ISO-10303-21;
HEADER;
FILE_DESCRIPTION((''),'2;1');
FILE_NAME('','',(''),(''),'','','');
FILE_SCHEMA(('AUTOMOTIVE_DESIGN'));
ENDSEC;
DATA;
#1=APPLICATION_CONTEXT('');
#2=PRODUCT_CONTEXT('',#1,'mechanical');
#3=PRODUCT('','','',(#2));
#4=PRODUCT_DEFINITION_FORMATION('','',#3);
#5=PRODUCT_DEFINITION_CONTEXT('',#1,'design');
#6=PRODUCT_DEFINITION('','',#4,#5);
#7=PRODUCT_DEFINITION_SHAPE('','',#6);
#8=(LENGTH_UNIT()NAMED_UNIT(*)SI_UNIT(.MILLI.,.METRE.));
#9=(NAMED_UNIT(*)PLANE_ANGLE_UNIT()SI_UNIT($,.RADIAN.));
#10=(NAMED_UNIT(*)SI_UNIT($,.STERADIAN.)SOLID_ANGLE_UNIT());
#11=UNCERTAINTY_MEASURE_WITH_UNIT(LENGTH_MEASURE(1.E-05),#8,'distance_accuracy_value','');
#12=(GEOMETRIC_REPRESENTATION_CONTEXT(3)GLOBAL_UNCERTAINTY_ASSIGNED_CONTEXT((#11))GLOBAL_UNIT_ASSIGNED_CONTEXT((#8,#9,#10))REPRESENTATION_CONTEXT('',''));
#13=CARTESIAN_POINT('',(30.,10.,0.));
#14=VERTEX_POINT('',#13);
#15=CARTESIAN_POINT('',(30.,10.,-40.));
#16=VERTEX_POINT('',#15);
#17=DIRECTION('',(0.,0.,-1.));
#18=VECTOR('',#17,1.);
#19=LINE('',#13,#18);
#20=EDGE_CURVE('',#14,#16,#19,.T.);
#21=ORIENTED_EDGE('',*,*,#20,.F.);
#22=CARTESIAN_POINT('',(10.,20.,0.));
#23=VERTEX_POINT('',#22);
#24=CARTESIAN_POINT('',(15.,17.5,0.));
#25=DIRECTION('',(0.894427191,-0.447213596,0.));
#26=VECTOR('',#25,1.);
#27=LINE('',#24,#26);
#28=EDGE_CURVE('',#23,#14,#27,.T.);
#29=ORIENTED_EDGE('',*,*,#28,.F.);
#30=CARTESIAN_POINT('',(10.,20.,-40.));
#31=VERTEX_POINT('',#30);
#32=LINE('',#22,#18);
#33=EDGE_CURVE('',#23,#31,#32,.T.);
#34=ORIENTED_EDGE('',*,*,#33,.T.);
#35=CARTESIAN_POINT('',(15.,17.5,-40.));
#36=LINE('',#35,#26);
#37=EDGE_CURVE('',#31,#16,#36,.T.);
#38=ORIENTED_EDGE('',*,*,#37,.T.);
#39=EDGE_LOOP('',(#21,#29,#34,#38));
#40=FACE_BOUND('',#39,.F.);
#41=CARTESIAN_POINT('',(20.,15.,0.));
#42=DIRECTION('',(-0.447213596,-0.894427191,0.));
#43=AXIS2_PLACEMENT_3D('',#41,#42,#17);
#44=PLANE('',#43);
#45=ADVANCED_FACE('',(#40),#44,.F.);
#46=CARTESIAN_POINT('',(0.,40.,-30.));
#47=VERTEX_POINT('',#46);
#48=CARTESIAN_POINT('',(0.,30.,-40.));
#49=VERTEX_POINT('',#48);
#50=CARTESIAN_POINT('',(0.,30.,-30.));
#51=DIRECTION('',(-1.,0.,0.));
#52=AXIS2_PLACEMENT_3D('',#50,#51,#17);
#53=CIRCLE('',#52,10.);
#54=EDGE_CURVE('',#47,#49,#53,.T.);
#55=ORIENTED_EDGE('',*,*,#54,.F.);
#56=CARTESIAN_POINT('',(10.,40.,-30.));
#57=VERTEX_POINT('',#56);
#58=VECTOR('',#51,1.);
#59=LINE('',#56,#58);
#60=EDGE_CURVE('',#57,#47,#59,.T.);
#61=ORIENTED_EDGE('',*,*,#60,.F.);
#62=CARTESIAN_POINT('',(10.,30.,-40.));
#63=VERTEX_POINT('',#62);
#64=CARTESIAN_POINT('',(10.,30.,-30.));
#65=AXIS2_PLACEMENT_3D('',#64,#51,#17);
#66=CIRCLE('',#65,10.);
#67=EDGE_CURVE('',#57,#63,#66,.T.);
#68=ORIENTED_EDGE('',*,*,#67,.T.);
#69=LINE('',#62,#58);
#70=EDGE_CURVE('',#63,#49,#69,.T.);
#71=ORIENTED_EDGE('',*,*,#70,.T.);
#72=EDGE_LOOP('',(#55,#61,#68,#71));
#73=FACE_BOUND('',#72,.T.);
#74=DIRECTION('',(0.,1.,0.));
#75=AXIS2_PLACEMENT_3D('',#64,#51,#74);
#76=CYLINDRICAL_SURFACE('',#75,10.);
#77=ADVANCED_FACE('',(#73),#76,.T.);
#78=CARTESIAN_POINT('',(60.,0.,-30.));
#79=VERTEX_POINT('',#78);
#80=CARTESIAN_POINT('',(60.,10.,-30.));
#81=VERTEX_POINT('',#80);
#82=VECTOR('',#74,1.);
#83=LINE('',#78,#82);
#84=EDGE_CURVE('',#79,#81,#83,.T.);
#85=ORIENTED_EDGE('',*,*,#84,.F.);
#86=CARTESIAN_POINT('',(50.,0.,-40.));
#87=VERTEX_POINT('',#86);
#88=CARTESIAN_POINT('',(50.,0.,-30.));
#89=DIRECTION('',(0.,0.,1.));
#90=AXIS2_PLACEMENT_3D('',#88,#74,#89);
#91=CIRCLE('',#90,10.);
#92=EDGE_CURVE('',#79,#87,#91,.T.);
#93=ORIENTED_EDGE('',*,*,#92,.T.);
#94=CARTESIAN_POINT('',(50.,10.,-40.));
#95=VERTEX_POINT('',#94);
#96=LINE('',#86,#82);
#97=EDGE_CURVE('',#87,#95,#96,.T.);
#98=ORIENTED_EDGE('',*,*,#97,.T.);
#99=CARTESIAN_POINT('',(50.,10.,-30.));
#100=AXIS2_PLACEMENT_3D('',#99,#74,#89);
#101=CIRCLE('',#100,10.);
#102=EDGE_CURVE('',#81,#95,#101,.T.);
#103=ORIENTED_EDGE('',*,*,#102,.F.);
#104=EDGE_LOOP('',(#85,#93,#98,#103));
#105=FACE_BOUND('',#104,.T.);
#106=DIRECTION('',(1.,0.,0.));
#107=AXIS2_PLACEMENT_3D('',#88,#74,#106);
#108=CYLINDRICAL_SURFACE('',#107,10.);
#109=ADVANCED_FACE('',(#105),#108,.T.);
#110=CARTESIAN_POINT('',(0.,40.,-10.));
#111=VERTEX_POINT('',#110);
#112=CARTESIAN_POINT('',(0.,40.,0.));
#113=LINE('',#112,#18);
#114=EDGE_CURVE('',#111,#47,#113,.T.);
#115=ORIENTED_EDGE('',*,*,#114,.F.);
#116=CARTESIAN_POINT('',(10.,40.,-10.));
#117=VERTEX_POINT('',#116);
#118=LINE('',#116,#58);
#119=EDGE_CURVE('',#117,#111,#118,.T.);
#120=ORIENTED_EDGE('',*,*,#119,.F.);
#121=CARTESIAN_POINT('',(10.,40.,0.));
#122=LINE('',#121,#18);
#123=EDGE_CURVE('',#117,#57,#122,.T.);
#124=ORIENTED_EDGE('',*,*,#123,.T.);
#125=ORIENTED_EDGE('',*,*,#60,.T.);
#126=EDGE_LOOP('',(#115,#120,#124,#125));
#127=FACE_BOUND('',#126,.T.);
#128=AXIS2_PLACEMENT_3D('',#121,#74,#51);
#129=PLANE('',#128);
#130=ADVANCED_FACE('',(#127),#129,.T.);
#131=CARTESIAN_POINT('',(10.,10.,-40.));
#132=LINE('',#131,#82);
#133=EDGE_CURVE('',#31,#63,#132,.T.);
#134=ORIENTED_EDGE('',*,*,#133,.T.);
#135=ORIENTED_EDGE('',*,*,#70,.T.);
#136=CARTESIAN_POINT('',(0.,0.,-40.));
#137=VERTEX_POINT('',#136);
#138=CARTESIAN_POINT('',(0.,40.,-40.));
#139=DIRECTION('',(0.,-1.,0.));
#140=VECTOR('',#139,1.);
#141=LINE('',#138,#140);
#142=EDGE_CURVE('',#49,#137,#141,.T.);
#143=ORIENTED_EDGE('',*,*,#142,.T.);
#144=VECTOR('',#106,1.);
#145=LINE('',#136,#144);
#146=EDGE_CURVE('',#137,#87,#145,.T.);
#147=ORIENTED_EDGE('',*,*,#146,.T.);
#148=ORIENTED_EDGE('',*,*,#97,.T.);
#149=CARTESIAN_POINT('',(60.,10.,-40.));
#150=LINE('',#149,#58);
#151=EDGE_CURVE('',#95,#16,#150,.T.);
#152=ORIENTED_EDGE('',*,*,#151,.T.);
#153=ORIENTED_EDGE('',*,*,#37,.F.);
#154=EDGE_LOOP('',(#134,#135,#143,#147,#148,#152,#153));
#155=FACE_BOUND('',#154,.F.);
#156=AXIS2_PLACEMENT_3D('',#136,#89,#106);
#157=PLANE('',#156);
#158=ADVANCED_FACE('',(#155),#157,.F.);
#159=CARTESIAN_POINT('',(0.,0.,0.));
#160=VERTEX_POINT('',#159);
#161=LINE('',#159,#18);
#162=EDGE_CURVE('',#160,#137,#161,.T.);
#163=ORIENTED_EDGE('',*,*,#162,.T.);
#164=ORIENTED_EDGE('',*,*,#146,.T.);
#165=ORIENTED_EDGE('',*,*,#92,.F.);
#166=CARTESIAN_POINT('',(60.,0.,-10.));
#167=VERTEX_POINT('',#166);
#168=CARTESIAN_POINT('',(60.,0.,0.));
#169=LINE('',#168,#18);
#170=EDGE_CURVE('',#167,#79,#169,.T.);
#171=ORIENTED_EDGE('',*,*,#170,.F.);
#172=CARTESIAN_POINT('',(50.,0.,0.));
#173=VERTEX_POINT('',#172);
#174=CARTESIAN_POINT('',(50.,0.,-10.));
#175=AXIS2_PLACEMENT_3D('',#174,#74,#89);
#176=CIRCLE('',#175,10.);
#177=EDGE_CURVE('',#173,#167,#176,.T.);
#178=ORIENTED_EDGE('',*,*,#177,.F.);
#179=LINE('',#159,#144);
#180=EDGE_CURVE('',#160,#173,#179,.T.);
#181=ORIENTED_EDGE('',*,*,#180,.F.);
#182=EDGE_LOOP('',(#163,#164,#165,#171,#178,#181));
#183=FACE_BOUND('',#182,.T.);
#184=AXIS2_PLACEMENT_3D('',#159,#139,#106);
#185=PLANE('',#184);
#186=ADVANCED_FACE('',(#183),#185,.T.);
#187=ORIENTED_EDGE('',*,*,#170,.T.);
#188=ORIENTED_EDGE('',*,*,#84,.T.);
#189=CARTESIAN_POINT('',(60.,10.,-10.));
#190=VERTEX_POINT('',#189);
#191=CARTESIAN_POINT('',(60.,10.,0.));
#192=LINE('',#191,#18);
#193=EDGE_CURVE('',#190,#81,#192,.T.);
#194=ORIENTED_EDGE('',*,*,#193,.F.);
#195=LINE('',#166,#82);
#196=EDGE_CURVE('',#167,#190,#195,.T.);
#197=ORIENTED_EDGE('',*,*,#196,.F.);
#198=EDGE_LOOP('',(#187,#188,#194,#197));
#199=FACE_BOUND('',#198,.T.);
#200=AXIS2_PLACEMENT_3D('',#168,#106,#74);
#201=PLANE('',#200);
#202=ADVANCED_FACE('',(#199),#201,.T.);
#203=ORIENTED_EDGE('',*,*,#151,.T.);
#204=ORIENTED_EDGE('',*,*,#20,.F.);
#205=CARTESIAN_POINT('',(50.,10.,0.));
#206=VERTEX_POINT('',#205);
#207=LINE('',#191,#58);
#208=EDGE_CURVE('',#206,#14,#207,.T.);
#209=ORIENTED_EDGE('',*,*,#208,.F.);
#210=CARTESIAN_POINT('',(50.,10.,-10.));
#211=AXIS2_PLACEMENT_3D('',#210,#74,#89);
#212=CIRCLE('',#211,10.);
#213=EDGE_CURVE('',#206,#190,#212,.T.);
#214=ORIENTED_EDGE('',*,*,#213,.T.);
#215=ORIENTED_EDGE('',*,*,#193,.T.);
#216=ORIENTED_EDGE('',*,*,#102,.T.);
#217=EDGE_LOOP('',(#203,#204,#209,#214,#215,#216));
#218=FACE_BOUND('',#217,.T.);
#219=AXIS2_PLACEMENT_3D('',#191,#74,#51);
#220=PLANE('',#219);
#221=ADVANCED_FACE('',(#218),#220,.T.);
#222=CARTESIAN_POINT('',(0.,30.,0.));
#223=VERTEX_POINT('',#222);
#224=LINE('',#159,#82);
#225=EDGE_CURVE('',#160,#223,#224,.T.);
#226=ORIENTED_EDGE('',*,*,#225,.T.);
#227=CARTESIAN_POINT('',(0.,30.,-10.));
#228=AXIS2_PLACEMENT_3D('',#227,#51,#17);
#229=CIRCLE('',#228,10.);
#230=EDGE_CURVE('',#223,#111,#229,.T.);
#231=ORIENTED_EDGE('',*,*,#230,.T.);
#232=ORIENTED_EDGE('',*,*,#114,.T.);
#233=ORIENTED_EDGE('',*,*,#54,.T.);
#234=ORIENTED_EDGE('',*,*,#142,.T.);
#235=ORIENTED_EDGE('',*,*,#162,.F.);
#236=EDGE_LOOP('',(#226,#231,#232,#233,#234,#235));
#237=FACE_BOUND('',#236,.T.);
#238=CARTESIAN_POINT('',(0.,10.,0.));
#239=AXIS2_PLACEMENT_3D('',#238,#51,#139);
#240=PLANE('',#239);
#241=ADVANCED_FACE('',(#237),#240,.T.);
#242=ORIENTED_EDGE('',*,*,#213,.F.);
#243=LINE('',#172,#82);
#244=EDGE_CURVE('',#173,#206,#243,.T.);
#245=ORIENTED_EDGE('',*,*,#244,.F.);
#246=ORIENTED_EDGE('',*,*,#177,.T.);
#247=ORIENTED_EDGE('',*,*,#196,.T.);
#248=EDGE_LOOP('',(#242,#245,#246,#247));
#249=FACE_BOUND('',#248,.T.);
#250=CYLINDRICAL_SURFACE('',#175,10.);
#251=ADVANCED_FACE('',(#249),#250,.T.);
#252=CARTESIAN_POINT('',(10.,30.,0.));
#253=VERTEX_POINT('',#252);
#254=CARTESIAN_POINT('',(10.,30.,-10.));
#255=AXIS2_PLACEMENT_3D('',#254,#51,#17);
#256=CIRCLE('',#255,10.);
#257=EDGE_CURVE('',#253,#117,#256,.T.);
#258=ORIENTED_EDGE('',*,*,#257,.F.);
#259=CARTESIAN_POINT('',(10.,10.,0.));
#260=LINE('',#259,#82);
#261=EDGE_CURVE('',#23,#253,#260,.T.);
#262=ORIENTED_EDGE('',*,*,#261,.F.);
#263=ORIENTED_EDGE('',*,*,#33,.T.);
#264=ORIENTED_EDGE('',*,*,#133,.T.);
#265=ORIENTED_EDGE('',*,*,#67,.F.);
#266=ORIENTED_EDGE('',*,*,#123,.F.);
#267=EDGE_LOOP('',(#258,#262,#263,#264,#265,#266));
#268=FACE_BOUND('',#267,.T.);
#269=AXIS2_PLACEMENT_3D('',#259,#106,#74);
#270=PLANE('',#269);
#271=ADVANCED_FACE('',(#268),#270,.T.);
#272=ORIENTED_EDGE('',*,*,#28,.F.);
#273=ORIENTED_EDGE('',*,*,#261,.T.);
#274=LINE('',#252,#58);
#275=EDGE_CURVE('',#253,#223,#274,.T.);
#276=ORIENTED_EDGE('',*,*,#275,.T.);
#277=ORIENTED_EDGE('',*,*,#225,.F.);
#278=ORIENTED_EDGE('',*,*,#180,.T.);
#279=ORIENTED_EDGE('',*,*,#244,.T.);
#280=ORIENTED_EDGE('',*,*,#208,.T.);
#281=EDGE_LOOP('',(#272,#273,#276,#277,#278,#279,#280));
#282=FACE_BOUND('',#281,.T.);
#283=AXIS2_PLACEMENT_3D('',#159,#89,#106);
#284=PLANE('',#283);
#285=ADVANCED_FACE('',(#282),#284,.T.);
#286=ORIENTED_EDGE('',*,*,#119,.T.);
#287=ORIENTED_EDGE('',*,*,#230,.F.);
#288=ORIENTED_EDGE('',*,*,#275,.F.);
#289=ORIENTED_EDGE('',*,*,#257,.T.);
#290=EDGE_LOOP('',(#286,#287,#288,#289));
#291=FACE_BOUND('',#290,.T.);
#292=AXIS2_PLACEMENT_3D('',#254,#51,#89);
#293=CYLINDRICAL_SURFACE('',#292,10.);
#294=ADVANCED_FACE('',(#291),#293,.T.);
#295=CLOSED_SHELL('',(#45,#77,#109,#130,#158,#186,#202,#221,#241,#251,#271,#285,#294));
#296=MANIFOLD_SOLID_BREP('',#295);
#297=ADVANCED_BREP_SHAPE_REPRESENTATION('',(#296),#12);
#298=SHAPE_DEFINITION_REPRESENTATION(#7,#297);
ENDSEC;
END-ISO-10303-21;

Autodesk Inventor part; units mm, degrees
ref_plane "YZ Plane" through (0, 0, 0) normal (1, 0, 0) x (0, 1, 0)
ref_plane "XZ Plane" through (0, 0, 0) normal (0, 1, 0) x (-1, 0, 0)
ref_plane "XY Plane" through (0, 0, 0) normal (0, 0, 1) x (1, 0, 0)
sketch "草圖1" plane through (0, 0, 0) normal (0, 0, 1) x (1, 0, 0)
  line L0 (0, 0) -> (60, 0)
  line L1 (60, 0) -> (60, 10)
  line L2 (60, 10) -> (0, 10)
  line L3 (0, 10) -> (0, 0)
  line L4 (0, 10) -> (10, 10)
  line L5 (10, 10) -> (10, 40)
  line L6 (10, 40) -> (0, 40)
  line L7 (0, 40) -> (0, 10)
  dimension "d0" = 10
  dimension "d1" = 30
  dimension "d2" = 60
  dimension "d3" = 10
extrude "擠出1" add sketch "草圖1" against normal blind 40
chamfer "倒角1" distance 10 distance2 20 1 edges at (10, 10, -20) measured on face at (10, 20, -13.3333)
fillet "圓角1" radius 10 4 edges at (5, 40, 0) (5, 40, -40) (60, 5, 0) (60, 5, -40)
properties part number "33"
